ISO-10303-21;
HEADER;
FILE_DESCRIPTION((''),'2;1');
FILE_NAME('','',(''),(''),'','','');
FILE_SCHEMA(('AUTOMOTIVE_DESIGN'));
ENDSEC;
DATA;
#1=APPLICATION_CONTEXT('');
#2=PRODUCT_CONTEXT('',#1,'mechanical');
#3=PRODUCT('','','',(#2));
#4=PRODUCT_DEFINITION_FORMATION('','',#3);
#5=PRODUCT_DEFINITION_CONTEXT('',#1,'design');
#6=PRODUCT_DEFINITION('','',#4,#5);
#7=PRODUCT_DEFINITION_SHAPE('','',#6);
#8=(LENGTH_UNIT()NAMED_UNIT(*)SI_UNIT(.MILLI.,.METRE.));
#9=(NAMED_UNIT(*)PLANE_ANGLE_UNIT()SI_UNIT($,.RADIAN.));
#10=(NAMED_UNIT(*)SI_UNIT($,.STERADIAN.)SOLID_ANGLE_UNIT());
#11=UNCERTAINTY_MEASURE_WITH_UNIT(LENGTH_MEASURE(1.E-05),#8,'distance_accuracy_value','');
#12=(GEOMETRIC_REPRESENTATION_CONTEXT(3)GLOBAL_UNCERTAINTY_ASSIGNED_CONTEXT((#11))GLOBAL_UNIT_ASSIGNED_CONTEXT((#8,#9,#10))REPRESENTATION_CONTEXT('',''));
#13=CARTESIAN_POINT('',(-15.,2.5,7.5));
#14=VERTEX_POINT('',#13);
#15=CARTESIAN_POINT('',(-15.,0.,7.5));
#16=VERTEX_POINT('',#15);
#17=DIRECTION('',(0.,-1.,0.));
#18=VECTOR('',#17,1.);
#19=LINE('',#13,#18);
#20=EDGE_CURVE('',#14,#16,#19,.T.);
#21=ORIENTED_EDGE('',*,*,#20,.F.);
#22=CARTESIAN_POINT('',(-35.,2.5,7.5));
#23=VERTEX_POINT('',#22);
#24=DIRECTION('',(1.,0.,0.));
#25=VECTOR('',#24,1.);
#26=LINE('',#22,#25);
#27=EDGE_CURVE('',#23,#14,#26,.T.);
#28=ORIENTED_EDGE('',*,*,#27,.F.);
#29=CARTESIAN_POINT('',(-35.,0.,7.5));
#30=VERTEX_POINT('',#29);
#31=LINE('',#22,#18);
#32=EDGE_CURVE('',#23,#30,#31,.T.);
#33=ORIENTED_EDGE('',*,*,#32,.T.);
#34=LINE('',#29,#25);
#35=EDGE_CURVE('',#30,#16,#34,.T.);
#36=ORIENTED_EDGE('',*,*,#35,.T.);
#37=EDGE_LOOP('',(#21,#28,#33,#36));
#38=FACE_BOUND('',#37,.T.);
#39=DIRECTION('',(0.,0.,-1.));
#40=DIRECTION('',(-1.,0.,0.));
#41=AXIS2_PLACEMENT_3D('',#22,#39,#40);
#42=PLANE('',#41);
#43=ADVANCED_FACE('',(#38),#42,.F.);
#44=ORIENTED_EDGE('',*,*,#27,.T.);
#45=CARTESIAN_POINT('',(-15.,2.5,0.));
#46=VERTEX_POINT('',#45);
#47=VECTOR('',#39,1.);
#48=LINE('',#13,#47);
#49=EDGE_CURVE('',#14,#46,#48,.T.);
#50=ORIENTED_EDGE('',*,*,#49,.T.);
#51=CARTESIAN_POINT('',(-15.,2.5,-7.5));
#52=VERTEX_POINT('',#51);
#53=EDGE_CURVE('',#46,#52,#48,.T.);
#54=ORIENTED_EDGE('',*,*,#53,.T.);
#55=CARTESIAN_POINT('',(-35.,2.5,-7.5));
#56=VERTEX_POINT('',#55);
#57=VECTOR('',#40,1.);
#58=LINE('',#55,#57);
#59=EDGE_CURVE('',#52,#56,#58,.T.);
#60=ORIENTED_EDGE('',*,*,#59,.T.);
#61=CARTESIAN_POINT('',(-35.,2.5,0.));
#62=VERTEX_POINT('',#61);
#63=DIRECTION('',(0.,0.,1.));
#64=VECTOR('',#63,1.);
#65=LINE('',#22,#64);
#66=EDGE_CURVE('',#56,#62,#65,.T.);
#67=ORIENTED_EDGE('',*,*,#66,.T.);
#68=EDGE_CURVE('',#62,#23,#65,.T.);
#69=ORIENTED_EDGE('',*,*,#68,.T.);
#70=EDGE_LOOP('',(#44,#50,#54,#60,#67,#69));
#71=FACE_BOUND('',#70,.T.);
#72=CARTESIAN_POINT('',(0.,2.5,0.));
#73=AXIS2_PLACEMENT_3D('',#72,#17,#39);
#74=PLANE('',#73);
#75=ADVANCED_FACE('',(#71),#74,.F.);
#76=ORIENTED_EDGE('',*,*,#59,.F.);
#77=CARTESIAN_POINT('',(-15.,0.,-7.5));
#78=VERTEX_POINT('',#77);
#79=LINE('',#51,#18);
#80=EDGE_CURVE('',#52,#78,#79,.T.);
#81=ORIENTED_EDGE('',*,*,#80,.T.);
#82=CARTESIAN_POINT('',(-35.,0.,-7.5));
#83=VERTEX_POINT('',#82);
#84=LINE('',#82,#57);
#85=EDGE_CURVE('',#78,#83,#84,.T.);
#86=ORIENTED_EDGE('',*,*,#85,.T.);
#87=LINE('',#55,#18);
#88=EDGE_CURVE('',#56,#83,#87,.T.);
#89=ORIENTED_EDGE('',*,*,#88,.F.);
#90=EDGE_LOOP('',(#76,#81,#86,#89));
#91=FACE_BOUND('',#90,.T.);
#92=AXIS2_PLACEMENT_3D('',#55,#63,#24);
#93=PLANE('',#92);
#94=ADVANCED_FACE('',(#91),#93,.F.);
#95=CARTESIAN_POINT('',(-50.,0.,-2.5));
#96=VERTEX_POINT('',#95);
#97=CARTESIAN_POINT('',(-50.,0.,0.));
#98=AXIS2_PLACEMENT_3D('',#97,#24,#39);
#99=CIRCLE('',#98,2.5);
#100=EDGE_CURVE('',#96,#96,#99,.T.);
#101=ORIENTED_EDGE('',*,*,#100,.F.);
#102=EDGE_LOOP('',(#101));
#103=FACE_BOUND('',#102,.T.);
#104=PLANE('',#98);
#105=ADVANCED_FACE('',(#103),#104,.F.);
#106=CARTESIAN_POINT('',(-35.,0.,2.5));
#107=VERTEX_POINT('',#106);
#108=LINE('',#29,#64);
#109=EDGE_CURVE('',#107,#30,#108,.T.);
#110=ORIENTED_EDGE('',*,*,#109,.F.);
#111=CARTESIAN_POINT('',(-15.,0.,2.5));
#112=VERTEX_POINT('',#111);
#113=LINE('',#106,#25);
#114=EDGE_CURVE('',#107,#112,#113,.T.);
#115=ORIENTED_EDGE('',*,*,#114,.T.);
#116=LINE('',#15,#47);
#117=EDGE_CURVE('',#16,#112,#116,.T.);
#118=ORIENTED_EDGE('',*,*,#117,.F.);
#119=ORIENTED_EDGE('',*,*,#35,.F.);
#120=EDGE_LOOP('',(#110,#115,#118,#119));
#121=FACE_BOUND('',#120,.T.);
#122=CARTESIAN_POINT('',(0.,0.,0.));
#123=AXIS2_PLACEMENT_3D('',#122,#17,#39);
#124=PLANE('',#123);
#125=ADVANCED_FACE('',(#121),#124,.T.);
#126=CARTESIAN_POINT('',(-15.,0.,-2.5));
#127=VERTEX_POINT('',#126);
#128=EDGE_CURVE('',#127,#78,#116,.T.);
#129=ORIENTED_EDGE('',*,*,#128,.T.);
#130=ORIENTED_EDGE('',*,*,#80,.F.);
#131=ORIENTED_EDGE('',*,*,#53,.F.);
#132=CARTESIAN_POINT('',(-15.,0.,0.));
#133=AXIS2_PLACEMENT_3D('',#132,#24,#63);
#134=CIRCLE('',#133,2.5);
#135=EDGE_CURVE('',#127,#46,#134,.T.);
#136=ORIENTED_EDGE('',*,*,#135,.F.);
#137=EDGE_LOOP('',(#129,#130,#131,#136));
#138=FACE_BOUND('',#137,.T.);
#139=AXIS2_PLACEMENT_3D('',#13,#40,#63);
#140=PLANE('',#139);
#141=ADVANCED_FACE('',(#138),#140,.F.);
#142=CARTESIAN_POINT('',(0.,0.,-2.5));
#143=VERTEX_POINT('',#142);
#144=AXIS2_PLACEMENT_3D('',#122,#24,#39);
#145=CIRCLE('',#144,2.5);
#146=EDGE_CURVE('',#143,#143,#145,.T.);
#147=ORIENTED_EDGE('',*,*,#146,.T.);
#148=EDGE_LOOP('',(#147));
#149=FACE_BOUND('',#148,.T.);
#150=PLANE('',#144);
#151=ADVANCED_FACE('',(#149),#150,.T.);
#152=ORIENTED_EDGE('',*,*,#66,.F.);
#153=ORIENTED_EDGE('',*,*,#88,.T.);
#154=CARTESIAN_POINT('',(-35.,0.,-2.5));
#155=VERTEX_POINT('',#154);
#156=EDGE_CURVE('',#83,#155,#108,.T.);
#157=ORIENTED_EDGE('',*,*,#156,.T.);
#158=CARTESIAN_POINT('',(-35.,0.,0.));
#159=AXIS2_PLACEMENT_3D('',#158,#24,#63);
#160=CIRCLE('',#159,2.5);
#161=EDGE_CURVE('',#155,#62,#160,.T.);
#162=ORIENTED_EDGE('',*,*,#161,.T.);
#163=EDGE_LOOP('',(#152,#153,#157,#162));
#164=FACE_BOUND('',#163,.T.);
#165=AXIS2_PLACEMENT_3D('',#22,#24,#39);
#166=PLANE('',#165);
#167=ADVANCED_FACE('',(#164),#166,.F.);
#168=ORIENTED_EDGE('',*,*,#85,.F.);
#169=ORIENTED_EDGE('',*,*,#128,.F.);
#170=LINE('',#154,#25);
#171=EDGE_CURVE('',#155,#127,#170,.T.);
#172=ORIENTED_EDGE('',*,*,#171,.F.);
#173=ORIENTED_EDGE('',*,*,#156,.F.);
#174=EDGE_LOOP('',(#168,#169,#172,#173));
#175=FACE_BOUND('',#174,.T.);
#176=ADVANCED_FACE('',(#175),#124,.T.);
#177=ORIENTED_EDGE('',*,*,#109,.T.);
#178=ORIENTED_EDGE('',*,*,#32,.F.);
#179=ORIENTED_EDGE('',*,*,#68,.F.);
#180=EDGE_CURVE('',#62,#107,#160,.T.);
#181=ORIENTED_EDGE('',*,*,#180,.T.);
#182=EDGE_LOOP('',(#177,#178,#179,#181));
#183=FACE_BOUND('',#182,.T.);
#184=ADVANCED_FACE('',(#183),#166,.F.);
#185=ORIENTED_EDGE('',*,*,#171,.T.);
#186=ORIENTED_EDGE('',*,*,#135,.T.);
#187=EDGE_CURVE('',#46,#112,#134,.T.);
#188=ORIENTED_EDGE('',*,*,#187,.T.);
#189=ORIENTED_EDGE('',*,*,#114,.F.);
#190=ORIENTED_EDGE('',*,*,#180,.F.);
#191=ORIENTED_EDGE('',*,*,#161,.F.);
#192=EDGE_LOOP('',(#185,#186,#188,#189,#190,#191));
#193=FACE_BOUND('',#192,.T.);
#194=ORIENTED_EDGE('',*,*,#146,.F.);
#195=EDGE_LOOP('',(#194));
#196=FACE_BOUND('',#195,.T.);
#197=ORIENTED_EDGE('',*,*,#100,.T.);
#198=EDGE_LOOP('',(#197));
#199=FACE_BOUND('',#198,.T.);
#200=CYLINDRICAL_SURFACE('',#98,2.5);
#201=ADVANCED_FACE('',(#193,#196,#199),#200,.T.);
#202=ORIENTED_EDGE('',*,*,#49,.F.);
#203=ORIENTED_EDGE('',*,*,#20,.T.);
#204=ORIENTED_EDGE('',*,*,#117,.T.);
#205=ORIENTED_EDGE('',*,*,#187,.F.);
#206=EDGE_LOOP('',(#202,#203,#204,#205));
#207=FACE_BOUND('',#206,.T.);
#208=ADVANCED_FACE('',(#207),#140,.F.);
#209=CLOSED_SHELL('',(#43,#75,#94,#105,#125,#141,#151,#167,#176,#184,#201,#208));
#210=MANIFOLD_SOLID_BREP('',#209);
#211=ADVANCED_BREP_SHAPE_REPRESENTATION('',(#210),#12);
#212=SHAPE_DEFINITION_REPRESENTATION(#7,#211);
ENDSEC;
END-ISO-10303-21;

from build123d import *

# Parameters (mm, degrees)
SKETCH_2_R          = 2.5
EXTRUDE_1_DEPTH     = 50
CUT_EXTRUDE_START   = -15
CUT_EXTRUDE_1_DEPTH = 20
SKETCH_5_W          = 20
SKETCH_5_H          = 15
EXTRUDE_2_DEPTH     = 2.5


with BuildPart() as part:
    # 草图2 → 凸台-拉伸1 (new body)
    with BuildSketch(Plane(origin=(0, 0, 0), x_dir=(0, 0, -1), z_dir=(1, 0, 0))):
        Circle(SKETCH_2_R)
    extrude(amount=-EXTRUDE_1_DEPTH)

    # 草图4 → 切除-拉伸1 (cut)
    with BuildSketch(Plane(origin=(0, 0, 0), x_dir=(0, 0, -1), z_dir=(1, 0, 0)).offset(CUT_EXTRUDE_START)):
        with BuildLine():
            Line((-2.5, 0), (2.5, 0))
            ThreePointArc((2.5, 0), (0, 2.5), (-2.5, 0))
        make_face()
    extrude(amount=-CUT_EXTRUDE_1_DEPTH, mode=Mode.SUBTRACT)

    # 草图5 → 凸台-拉伸2 (add)
    with BuildSketch(Plane(origin=(0, 0, 0), x_dir=(1, 0, 0), z_dir=(0, 1, 0))):
        with Locations((-25, 0)):
            Rectangle(SKETCH_5_W, SKETCH_5_H)
    extrude(amount=EXTRUDE_2_DEPTH)


solid = part.part
